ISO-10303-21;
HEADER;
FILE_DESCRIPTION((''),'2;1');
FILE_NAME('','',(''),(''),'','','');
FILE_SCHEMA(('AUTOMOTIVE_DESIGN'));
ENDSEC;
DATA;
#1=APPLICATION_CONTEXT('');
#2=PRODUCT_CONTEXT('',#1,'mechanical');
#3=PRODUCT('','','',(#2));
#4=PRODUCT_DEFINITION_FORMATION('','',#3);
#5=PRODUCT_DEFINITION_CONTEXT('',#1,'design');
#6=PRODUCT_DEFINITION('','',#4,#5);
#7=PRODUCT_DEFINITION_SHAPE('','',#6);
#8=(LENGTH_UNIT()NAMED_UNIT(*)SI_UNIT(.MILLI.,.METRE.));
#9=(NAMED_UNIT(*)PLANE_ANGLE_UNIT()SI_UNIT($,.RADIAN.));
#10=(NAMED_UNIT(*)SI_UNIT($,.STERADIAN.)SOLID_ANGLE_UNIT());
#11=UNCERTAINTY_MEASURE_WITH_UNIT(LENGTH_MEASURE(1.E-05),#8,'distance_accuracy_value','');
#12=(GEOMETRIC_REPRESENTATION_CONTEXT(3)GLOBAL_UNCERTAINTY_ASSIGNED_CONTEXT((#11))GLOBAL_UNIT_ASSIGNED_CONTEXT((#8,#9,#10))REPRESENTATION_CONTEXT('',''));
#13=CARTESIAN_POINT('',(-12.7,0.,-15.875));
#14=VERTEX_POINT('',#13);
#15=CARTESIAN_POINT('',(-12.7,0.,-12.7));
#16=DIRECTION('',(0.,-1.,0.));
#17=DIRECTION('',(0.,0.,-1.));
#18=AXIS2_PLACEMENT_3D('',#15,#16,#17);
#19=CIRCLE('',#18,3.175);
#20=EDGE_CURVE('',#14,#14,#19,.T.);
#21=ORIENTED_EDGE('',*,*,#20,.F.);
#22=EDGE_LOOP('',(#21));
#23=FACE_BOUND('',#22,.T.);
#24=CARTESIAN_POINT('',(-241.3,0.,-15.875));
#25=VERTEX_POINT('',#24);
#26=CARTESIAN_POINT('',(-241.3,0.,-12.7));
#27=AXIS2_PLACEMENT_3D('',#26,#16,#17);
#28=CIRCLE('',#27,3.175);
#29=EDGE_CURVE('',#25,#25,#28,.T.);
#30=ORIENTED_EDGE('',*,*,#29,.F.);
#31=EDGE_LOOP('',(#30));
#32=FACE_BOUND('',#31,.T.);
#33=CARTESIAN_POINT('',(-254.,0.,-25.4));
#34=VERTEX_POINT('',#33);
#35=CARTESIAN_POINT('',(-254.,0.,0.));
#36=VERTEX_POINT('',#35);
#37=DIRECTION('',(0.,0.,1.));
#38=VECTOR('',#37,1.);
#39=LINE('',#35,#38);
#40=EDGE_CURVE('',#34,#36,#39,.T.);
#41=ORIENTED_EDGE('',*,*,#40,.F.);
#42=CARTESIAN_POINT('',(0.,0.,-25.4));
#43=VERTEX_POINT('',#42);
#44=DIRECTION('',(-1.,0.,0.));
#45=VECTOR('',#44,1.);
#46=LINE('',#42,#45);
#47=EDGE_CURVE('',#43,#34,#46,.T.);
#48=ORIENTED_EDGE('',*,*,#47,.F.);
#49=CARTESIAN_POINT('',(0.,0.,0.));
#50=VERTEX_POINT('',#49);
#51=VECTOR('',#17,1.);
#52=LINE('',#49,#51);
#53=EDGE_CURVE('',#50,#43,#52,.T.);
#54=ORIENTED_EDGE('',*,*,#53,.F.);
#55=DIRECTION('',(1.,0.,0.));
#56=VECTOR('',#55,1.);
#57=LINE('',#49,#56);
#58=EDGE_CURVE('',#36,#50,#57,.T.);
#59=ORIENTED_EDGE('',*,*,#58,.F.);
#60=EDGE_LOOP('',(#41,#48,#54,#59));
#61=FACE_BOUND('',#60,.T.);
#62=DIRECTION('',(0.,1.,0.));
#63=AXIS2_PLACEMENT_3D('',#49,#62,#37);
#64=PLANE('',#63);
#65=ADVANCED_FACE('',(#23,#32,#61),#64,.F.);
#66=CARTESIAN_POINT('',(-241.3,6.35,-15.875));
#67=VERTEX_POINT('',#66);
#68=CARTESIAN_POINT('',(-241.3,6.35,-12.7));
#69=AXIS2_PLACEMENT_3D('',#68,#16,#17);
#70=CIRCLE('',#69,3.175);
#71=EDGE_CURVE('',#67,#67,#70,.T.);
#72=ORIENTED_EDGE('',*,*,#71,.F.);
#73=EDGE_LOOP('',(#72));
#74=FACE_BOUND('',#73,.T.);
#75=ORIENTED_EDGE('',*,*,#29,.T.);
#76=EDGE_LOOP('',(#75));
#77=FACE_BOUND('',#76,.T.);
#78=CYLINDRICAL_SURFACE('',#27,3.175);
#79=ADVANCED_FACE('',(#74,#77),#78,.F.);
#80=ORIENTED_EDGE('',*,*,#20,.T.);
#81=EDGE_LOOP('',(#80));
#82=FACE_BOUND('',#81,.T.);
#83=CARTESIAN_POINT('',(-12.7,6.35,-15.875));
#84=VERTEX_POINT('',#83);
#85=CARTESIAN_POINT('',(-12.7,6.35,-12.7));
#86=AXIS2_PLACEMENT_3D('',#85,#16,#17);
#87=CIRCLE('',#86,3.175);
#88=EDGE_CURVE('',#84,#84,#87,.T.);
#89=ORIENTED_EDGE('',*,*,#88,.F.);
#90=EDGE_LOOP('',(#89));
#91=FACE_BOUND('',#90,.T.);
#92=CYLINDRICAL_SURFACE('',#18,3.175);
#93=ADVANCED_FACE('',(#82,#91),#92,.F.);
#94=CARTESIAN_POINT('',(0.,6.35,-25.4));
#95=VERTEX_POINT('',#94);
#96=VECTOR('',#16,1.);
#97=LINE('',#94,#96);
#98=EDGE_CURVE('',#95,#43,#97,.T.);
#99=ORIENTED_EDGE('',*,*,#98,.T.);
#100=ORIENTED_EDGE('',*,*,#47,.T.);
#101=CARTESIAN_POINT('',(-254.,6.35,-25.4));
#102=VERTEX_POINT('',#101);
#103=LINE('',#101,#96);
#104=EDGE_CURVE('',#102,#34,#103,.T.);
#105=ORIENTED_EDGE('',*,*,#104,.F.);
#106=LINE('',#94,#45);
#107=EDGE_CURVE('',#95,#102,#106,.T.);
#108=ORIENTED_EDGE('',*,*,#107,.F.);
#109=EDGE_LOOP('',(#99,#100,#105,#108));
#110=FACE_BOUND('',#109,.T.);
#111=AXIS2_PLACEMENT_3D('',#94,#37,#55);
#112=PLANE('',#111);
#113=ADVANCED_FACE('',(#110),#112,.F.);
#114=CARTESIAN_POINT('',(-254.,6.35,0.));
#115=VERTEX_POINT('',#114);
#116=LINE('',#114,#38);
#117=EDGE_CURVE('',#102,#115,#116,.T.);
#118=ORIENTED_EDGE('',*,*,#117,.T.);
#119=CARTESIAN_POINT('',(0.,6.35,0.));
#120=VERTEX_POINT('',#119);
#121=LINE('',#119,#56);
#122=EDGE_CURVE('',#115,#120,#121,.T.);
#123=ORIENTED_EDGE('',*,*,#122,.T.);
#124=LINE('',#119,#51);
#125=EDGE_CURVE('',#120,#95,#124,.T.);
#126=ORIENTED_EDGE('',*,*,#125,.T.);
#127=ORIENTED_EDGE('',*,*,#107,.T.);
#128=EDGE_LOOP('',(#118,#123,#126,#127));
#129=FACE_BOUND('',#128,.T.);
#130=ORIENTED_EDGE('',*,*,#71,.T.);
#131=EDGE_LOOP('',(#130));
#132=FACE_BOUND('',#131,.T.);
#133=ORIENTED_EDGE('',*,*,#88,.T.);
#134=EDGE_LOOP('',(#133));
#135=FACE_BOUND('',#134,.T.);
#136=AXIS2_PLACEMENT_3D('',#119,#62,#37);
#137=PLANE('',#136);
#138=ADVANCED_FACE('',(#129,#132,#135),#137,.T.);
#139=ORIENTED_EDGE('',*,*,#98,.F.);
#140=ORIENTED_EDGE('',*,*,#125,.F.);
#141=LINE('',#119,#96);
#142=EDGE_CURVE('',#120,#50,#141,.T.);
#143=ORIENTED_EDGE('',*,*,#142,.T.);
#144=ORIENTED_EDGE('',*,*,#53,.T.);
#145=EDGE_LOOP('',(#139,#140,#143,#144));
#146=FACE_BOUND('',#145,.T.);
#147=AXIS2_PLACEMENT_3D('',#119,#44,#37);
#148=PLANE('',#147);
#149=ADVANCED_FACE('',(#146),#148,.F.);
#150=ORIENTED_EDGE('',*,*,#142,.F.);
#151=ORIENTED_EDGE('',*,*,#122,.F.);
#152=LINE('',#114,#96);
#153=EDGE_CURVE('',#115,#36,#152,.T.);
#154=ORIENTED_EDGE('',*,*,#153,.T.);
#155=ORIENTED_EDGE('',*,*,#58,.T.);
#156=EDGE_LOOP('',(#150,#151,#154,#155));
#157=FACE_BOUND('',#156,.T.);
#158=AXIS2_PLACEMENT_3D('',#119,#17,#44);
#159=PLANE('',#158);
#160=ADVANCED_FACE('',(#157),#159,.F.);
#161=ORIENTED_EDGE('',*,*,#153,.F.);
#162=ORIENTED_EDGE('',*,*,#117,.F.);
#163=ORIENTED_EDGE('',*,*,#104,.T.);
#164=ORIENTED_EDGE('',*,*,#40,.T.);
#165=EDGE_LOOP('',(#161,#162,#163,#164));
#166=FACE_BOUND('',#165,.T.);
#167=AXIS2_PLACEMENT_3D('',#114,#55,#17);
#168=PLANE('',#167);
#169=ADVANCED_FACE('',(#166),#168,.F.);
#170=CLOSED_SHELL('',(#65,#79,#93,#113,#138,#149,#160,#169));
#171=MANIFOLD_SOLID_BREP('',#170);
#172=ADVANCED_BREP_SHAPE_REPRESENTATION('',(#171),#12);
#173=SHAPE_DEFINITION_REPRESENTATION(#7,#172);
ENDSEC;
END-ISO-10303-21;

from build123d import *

# Parameters (mm, degrees)
SKETCH1_W                   = 254
SKETCH1_H                   = 25.4
BOSS_EXTRUDE1_DEPTH         = 6.35
F_1_4_0_25_DIAMETER_HOLE1_D = 6.35


with BuildPart() as part:
    # Sketch1 → Boss-Extrude1 (new body)
    with BuildSketch(Plane(origin=(0, 0, 0), x_dir=(1, 0, 0), z_dir=(0, 1, 0))):
        with Locations((-127, 12.7)):
            Rectangle(SKETCH1_W, SKETCH1_H)
    extrude(amount=BOSS_EXTRUDE1_DEPTH)

    # 1/4 (0.25) Diameter Hole1 (through all)
    with Locations(Plane(origin=(0, 0, 0), x_dir=(-1, 0, 0), z_dir=(0, -1, 0))):
        with Locations((241.3, 12.7), (12.7, 12.7)):
            Hole(F_1_4_0_25_DIAMETER_HOLE1_D / 2)


solid = part.part
